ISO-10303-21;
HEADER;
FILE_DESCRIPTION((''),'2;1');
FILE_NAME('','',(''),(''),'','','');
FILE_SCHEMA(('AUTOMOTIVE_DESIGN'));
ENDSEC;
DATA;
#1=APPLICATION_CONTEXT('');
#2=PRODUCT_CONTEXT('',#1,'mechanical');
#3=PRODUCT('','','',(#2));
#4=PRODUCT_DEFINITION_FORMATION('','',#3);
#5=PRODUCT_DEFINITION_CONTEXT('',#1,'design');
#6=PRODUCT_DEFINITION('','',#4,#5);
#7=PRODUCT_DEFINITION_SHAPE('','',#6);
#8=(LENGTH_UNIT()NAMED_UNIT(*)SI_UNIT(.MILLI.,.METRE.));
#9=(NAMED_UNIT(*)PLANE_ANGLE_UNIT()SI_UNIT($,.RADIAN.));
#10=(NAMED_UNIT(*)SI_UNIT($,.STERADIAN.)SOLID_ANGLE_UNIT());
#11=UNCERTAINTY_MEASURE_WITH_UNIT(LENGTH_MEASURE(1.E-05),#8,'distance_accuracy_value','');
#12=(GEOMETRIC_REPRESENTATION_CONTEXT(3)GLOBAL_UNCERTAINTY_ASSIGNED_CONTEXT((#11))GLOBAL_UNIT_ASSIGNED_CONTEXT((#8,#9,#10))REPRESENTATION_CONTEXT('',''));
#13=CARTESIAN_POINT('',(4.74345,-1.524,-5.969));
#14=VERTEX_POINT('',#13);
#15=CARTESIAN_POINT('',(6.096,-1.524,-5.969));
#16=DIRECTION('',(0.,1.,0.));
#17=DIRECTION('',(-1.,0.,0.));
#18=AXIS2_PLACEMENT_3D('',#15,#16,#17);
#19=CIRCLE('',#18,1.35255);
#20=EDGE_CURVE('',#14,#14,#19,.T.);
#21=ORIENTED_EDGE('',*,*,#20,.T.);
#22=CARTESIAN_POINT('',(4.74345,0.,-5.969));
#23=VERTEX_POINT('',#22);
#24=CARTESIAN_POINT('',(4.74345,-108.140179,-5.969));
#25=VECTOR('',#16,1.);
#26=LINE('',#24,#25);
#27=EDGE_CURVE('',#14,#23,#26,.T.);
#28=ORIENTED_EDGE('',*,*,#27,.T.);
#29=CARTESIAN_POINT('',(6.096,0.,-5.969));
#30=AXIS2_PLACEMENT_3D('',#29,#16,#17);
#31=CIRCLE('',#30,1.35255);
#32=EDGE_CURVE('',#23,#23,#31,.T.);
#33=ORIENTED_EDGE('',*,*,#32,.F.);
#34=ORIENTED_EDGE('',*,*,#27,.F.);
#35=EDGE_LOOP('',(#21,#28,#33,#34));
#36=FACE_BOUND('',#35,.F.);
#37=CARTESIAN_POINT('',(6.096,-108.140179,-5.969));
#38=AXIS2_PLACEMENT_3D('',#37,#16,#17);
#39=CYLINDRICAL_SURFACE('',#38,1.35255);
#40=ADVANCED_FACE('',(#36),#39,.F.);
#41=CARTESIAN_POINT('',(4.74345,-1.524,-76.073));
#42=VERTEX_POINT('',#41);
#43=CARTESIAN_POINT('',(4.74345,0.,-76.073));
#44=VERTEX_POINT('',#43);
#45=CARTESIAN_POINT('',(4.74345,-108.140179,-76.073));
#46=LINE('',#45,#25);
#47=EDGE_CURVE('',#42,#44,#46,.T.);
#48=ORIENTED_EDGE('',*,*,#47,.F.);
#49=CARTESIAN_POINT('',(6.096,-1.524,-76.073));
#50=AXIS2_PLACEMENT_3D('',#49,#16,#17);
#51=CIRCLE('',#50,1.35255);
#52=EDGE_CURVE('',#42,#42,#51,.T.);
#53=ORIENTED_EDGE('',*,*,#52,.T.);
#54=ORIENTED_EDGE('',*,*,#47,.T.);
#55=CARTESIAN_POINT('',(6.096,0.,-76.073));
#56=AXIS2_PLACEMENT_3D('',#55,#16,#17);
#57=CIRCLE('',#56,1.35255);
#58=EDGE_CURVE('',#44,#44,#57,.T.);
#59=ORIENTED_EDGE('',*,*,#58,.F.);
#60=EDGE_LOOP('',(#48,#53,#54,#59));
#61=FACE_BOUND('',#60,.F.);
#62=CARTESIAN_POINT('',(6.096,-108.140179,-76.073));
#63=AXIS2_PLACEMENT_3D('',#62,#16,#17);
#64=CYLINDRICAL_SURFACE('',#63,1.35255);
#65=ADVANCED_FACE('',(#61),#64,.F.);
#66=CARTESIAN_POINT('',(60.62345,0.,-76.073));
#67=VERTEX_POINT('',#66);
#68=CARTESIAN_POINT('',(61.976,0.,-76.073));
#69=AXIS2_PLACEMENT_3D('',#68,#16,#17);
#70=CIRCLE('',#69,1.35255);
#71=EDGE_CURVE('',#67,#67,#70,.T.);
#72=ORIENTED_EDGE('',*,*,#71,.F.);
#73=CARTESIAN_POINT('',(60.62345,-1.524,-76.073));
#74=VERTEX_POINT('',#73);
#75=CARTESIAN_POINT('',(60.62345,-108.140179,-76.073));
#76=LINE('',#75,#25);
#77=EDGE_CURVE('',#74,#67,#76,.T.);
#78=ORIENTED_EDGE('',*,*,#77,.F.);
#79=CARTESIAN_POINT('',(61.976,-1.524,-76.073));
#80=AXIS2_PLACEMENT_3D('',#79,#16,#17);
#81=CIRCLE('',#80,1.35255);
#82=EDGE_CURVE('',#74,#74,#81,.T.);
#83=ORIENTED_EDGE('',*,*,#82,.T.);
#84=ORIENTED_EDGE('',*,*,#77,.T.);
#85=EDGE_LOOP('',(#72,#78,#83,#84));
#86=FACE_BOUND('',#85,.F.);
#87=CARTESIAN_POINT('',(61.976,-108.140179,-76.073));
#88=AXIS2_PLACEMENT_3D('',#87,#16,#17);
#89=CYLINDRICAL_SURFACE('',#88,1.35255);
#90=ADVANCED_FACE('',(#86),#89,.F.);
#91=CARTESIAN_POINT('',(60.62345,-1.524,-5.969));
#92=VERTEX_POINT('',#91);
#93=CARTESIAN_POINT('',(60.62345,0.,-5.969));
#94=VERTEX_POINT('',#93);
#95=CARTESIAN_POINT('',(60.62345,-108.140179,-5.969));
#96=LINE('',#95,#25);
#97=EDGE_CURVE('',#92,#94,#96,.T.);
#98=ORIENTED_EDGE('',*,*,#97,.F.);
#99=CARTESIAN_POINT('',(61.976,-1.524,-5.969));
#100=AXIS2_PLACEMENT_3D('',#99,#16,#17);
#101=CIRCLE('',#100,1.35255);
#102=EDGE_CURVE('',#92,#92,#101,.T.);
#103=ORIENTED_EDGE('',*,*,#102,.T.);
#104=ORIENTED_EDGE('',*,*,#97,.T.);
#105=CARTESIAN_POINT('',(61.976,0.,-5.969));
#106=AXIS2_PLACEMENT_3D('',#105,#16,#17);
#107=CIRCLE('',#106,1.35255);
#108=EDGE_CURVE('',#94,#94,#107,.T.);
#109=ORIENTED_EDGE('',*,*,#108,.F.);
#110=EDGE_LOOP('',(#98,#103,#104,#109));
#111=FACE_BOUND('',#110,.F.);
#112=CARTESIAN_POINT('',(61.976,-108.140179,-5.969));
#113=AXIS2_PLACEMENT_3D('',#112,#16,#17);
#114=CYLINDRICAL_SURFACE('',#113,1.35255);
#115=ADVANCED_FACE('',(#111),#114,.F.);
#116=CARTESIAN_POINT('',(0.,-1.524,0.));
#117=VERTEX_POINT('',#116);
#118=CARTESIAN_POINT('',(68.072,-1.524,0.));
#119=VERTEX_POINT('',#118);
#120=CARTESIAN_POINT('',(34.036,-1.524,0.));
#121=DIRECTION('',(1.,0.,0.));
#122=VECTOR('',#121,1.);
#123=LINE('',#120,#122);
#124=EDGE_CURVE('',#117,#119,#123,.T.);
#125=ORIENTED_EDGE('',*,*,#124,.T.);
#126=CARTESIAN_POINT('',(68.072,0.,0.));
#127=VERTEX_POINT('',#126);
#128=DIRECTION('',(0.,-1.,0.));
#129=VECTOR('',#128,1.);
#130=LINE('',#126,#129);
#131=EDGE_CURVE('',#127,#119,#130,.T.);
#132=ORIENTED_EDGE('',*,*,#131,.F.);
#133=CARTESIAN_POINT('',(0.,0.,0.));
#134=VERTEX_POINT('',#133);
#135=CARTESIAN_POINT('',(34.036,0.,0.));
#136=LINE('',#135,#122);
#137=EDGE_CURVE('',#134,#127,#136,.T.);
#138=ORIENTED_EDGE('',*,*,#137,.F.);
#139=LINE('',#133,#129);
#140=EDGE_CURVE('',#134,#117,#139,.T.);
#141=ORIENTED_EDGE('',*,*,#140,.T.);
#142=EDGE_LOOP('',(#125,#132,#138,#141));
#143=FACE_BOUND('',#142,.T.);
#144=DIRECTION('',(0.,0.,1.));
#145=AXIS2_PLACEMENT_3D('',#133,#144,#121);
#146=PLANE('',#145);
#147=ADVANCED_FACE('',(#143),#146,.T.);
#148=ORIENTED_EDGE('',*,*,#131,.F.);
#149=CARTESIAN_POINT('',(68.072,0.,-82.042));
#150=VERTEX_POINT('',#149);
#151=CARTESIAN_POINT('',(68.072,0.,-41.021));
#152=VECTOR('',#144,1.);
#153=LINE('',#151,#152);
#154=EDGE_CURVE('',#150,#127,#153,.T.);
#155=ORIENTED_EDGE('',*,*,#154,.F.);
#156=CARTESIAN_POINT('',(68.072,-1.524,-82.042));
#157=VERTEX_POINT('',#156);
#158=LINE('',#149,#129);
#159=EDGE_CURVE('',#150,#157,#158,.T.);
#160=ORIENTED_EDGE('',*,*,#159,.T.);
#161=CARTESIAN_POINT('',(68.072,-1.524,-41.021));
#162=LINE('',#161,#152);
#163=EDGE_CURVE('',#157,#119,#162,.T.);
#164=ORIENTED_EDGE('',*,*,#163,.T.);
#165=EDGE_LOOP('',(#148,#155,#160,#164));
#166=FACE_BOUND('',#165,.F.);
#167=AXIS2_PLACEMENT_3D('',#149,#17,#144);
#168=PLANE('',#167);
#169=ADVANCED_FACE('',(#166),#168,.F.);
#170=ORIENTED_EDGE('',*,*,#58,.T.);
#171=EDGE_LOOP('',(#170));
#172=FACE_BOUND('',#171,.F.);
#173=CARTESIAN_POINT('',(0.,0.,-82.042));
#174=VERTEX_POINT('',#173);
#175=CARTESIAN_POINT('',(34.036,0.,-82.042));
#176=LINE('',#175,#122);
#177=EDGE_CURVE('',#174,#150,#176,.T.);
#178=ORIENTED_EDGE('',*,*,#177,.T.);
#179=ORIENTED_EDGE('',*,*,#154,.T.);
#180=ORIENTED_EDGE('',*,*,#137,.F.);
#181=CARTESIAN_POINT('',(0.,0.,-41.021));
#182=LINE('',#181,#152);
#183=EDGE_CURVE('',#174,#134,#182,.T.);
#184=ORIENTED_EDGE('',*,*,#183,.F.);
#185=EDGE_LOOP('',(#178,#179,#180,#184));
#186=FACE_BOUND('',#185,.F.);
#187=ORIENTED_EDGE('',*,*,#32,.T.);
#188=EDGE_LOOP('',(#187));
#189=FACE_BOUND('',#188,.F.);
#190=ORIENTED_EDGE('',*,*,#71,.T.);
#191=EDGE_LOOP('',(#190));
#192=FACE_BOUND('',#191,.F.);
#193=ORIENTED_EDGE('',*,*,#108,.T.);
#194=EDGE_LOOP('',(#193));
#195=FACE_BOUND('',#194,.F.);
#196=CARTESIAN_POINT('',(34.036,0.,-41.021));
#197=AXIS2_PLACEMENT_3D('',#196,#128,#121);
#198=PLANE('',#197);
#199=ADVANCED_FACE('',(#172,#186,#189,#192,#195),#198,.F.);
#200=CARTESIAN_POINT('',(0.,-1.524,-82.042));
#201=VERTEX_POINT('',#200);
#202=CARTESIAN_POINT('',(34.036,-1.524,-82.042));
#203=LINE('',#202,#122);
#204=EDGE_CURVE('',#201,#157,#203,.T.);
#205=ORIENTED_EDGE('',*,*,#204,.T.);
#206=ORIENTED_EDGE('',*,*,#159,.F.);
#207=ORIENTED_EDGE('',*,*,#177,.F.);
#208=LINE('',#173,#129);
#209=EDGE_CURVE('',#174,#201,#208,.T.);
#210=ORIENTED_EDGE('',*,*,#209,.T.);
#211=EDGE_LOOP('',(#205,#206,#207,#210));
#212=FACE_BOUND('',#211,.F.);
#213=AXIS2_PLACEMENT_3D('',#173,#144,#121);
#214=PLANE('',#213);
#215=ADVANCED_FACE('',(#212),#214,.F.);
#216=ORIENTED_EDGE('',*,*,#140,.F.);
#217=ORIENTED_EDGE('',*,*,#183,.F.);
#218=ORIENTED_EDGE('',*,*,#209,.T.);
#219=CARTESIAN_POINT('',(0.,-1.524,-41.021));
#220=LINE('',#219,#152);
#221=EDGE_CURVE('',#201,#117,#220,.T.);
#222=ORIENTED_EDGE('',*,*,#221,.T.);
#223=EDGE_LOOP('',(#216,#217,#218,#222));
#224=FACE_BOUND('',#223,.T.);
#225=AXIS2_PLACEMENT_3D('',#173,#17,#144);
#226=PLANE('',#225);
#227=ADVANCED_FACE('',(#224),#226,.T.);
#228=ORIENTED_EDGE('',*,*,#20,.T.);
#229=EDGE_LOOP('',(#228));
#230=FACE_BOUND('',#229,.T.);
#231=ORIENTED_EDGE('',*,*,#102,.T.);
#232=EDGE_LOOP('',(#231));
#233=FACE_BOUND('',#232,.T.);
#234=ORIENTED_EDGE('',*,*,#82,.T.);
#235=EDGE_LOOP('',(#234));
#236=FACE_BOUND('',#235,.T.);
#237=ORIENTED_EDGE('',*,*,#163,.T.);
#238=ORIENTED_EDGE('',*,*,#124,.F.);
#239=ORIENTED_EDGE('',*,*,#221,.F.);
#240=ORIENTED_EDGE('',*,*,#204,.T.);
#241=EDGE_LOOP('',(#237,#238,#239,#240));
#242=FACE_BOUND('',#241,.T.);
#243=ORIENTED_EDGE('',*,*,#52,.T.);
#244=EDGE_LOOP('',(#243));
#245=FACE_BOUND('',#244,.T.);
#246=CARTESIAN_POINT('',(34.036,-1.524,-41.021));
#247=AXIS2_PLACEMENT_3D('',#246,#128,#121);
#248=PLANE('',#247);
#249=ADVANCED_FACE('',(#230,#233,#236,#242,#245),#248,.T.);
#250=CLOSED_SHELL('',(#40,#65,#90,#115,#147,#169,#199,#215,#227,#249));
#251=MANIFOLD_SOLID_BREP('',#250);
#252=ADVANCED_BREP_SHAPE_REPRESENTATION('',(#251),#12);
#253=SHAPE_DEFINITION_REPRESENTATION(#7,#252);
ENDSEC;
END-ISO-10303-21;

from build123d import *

# Parameters (mm, degrees)
F0_W     = 68.072
F0_H     = 82.042
F1_DEPTH = 1.524
F3_D     = 2.7051


with BuildPart() as f1:
    # F0 (on Front) → F1 (new body)
    with BuildSketch(Plane.XZ):
        with Locations((34.036, -41.021)):
            Rectangle(F0_W, F0_H)
    extrude(amount=F1_DEPTH)

    # F3 (through all)
    with Locations(Plane.XZ.offset(1.524)):
        with Locations((6.096, -5.969), (61.976, -5.969), (61.976, -76.073), (6.096, -76.073)):
            Hole(F3_D / 2)


solid = f1.part
